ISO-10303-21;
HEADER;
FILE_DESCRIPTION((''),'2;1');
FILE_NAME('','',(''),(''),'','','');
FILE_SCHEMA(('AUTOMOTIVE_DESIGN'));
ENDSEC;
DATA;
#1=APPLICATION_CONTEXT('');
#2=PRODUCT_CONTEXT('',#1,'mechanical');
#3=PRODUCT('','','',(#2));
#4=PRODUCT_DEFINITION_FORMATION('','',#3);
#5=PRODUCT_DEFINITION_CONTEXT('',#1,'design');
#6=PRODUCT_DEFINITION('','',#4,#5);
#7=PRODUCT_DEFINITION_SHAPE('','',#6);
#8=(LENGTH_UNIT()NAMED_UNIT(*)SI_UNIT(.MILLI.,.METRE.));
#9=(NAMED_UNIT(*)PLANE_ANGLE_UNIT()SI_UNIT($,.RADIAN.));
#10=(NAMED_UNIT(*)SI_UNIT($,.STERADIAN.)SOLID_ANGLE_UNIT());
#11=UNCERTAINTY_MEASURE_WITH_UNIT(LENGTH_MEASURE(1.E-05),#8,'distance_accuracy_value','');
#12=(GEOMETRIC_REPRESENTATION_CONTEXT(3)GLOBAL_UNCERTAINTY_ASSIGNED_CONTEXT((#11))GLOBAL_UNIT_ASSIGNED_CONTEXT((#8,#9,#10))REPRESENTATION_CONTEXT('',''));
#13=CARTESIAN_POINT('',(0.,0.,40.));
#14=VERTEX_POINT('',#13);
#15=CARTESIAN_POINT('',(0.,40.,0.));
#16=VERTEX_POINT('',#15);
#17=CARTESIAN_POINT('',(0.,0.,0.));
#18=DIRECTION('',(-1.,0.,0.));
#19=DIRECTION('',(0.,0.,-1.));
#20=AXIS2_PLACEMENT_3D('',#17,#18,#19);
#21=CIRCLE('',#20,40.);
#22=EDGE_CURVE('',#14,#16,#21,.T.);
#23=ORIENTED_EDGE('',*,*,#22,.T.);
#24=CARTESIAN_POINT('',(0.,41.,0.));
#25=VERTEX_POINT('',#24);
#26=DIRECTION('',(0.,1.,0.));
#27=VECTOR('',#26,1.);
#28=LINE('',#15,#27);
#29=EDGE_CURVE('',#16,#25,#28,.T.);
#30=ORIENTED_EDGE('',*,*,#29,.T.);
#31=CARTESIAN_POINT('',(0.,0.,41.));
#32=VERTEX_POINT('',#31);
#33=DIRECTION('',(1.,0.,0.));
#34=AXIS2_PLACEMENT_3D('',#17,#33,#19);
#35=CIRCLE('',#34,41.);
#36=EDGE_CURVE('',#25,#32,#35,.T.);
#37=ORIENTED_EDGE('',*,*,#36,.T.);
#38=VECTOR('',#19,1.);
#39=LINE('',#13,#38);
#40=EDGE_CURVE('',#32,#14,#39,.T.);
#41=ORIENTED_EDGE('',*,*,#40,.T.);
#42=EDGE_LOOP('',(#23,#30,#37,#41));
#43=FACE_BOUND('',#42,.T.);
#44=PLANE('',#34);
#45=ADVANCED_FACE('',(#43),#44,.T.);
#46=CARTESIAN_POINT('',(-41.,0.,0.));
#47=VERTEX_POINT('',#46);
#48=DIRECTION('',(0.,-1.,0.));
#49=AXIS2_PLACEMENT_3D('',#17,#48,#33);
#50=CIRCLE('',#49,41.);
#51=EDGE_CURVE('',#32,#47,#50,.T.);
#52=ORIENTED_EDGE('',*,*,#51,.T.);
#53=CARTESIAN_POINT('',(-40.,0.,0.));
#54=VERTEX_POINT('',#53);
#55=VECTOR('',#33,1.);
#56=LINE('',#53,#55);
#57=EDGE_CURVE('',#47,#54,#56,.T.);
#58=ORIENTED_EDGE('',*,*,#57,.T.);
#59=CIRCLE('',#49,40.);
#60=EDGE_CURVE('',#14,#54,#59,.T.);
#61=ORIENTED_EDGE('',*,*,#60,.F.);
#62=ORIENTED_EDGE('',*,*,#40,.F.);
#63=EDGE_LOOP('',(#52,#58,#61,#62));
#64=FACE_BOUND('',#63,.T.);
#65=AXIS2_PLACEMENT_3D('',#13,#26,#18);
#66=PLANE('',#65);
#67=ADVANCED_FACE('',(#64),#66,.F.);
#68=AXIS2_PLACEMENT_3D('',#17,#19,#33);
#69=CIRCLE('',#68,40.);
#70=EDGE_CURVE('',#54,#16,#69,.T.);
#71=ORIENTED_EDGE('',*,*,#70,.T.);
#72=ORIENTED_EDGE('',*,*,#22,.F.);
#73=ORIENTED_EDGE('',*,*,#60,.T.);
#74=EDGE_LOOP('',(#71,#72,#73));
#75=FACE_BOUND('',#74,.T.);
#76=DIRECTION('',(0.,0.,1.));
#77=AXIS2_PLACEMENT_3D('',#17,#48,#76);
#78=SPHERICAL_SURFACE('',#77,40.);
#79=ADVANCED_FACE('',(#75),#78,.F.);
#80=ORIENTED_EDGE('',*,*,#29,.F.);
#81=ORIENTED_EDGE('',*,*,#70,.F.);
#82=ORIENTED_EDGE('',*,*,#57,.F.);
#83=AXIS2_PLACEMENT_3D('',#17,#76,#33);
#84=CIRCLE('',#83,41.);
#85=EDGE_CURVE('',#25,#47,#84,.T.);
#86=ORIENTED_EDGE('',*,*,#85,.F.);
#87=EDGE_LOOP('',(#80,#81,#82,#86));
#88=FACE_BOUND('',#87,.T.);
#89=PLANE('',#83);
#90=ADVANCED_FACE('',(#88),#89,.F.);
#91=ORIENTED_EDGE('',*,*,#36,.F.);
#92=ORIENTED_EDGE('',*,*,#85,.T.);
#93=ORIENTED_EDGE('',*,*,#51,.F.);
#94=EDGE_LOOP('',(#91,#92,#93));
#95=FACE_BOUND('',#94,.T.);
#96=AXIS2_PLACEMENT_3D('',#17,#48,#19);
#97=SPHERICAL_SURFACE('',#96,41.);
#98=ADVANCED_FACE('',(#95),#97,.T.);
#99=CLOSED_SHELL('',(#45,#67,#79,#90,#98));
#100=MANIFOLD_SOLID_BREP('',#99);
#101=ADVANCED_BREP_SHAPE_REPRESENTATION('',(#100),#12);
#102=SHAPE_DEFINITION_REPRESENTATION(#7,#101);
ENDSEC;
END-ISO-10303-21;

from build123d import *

# Parameters (mm, degrees)
REVOLVE_1_ANGLE = 90


with BuildPart() as part:
    # 草图2 → 旋转1 (revolve)
    with BuildSketch(Plane.XY):
        with BuildLine():
            Line((0, 40), (0, 41))
            ThreePointArc((0, 41), (-28.991378029, 28.991378029), (-41, 0))
            Line((-41, 0), (-40, 0))
            ThreePointArc((-40, 0), (-28.284271247, 28.284271247), (0, 40))
        make_face()
    revolve(axis=Axis((0, 40, 0), (0, 1, 0)), revolution_arc=REVOLVE_1_ANGLE)


solid = part.part
